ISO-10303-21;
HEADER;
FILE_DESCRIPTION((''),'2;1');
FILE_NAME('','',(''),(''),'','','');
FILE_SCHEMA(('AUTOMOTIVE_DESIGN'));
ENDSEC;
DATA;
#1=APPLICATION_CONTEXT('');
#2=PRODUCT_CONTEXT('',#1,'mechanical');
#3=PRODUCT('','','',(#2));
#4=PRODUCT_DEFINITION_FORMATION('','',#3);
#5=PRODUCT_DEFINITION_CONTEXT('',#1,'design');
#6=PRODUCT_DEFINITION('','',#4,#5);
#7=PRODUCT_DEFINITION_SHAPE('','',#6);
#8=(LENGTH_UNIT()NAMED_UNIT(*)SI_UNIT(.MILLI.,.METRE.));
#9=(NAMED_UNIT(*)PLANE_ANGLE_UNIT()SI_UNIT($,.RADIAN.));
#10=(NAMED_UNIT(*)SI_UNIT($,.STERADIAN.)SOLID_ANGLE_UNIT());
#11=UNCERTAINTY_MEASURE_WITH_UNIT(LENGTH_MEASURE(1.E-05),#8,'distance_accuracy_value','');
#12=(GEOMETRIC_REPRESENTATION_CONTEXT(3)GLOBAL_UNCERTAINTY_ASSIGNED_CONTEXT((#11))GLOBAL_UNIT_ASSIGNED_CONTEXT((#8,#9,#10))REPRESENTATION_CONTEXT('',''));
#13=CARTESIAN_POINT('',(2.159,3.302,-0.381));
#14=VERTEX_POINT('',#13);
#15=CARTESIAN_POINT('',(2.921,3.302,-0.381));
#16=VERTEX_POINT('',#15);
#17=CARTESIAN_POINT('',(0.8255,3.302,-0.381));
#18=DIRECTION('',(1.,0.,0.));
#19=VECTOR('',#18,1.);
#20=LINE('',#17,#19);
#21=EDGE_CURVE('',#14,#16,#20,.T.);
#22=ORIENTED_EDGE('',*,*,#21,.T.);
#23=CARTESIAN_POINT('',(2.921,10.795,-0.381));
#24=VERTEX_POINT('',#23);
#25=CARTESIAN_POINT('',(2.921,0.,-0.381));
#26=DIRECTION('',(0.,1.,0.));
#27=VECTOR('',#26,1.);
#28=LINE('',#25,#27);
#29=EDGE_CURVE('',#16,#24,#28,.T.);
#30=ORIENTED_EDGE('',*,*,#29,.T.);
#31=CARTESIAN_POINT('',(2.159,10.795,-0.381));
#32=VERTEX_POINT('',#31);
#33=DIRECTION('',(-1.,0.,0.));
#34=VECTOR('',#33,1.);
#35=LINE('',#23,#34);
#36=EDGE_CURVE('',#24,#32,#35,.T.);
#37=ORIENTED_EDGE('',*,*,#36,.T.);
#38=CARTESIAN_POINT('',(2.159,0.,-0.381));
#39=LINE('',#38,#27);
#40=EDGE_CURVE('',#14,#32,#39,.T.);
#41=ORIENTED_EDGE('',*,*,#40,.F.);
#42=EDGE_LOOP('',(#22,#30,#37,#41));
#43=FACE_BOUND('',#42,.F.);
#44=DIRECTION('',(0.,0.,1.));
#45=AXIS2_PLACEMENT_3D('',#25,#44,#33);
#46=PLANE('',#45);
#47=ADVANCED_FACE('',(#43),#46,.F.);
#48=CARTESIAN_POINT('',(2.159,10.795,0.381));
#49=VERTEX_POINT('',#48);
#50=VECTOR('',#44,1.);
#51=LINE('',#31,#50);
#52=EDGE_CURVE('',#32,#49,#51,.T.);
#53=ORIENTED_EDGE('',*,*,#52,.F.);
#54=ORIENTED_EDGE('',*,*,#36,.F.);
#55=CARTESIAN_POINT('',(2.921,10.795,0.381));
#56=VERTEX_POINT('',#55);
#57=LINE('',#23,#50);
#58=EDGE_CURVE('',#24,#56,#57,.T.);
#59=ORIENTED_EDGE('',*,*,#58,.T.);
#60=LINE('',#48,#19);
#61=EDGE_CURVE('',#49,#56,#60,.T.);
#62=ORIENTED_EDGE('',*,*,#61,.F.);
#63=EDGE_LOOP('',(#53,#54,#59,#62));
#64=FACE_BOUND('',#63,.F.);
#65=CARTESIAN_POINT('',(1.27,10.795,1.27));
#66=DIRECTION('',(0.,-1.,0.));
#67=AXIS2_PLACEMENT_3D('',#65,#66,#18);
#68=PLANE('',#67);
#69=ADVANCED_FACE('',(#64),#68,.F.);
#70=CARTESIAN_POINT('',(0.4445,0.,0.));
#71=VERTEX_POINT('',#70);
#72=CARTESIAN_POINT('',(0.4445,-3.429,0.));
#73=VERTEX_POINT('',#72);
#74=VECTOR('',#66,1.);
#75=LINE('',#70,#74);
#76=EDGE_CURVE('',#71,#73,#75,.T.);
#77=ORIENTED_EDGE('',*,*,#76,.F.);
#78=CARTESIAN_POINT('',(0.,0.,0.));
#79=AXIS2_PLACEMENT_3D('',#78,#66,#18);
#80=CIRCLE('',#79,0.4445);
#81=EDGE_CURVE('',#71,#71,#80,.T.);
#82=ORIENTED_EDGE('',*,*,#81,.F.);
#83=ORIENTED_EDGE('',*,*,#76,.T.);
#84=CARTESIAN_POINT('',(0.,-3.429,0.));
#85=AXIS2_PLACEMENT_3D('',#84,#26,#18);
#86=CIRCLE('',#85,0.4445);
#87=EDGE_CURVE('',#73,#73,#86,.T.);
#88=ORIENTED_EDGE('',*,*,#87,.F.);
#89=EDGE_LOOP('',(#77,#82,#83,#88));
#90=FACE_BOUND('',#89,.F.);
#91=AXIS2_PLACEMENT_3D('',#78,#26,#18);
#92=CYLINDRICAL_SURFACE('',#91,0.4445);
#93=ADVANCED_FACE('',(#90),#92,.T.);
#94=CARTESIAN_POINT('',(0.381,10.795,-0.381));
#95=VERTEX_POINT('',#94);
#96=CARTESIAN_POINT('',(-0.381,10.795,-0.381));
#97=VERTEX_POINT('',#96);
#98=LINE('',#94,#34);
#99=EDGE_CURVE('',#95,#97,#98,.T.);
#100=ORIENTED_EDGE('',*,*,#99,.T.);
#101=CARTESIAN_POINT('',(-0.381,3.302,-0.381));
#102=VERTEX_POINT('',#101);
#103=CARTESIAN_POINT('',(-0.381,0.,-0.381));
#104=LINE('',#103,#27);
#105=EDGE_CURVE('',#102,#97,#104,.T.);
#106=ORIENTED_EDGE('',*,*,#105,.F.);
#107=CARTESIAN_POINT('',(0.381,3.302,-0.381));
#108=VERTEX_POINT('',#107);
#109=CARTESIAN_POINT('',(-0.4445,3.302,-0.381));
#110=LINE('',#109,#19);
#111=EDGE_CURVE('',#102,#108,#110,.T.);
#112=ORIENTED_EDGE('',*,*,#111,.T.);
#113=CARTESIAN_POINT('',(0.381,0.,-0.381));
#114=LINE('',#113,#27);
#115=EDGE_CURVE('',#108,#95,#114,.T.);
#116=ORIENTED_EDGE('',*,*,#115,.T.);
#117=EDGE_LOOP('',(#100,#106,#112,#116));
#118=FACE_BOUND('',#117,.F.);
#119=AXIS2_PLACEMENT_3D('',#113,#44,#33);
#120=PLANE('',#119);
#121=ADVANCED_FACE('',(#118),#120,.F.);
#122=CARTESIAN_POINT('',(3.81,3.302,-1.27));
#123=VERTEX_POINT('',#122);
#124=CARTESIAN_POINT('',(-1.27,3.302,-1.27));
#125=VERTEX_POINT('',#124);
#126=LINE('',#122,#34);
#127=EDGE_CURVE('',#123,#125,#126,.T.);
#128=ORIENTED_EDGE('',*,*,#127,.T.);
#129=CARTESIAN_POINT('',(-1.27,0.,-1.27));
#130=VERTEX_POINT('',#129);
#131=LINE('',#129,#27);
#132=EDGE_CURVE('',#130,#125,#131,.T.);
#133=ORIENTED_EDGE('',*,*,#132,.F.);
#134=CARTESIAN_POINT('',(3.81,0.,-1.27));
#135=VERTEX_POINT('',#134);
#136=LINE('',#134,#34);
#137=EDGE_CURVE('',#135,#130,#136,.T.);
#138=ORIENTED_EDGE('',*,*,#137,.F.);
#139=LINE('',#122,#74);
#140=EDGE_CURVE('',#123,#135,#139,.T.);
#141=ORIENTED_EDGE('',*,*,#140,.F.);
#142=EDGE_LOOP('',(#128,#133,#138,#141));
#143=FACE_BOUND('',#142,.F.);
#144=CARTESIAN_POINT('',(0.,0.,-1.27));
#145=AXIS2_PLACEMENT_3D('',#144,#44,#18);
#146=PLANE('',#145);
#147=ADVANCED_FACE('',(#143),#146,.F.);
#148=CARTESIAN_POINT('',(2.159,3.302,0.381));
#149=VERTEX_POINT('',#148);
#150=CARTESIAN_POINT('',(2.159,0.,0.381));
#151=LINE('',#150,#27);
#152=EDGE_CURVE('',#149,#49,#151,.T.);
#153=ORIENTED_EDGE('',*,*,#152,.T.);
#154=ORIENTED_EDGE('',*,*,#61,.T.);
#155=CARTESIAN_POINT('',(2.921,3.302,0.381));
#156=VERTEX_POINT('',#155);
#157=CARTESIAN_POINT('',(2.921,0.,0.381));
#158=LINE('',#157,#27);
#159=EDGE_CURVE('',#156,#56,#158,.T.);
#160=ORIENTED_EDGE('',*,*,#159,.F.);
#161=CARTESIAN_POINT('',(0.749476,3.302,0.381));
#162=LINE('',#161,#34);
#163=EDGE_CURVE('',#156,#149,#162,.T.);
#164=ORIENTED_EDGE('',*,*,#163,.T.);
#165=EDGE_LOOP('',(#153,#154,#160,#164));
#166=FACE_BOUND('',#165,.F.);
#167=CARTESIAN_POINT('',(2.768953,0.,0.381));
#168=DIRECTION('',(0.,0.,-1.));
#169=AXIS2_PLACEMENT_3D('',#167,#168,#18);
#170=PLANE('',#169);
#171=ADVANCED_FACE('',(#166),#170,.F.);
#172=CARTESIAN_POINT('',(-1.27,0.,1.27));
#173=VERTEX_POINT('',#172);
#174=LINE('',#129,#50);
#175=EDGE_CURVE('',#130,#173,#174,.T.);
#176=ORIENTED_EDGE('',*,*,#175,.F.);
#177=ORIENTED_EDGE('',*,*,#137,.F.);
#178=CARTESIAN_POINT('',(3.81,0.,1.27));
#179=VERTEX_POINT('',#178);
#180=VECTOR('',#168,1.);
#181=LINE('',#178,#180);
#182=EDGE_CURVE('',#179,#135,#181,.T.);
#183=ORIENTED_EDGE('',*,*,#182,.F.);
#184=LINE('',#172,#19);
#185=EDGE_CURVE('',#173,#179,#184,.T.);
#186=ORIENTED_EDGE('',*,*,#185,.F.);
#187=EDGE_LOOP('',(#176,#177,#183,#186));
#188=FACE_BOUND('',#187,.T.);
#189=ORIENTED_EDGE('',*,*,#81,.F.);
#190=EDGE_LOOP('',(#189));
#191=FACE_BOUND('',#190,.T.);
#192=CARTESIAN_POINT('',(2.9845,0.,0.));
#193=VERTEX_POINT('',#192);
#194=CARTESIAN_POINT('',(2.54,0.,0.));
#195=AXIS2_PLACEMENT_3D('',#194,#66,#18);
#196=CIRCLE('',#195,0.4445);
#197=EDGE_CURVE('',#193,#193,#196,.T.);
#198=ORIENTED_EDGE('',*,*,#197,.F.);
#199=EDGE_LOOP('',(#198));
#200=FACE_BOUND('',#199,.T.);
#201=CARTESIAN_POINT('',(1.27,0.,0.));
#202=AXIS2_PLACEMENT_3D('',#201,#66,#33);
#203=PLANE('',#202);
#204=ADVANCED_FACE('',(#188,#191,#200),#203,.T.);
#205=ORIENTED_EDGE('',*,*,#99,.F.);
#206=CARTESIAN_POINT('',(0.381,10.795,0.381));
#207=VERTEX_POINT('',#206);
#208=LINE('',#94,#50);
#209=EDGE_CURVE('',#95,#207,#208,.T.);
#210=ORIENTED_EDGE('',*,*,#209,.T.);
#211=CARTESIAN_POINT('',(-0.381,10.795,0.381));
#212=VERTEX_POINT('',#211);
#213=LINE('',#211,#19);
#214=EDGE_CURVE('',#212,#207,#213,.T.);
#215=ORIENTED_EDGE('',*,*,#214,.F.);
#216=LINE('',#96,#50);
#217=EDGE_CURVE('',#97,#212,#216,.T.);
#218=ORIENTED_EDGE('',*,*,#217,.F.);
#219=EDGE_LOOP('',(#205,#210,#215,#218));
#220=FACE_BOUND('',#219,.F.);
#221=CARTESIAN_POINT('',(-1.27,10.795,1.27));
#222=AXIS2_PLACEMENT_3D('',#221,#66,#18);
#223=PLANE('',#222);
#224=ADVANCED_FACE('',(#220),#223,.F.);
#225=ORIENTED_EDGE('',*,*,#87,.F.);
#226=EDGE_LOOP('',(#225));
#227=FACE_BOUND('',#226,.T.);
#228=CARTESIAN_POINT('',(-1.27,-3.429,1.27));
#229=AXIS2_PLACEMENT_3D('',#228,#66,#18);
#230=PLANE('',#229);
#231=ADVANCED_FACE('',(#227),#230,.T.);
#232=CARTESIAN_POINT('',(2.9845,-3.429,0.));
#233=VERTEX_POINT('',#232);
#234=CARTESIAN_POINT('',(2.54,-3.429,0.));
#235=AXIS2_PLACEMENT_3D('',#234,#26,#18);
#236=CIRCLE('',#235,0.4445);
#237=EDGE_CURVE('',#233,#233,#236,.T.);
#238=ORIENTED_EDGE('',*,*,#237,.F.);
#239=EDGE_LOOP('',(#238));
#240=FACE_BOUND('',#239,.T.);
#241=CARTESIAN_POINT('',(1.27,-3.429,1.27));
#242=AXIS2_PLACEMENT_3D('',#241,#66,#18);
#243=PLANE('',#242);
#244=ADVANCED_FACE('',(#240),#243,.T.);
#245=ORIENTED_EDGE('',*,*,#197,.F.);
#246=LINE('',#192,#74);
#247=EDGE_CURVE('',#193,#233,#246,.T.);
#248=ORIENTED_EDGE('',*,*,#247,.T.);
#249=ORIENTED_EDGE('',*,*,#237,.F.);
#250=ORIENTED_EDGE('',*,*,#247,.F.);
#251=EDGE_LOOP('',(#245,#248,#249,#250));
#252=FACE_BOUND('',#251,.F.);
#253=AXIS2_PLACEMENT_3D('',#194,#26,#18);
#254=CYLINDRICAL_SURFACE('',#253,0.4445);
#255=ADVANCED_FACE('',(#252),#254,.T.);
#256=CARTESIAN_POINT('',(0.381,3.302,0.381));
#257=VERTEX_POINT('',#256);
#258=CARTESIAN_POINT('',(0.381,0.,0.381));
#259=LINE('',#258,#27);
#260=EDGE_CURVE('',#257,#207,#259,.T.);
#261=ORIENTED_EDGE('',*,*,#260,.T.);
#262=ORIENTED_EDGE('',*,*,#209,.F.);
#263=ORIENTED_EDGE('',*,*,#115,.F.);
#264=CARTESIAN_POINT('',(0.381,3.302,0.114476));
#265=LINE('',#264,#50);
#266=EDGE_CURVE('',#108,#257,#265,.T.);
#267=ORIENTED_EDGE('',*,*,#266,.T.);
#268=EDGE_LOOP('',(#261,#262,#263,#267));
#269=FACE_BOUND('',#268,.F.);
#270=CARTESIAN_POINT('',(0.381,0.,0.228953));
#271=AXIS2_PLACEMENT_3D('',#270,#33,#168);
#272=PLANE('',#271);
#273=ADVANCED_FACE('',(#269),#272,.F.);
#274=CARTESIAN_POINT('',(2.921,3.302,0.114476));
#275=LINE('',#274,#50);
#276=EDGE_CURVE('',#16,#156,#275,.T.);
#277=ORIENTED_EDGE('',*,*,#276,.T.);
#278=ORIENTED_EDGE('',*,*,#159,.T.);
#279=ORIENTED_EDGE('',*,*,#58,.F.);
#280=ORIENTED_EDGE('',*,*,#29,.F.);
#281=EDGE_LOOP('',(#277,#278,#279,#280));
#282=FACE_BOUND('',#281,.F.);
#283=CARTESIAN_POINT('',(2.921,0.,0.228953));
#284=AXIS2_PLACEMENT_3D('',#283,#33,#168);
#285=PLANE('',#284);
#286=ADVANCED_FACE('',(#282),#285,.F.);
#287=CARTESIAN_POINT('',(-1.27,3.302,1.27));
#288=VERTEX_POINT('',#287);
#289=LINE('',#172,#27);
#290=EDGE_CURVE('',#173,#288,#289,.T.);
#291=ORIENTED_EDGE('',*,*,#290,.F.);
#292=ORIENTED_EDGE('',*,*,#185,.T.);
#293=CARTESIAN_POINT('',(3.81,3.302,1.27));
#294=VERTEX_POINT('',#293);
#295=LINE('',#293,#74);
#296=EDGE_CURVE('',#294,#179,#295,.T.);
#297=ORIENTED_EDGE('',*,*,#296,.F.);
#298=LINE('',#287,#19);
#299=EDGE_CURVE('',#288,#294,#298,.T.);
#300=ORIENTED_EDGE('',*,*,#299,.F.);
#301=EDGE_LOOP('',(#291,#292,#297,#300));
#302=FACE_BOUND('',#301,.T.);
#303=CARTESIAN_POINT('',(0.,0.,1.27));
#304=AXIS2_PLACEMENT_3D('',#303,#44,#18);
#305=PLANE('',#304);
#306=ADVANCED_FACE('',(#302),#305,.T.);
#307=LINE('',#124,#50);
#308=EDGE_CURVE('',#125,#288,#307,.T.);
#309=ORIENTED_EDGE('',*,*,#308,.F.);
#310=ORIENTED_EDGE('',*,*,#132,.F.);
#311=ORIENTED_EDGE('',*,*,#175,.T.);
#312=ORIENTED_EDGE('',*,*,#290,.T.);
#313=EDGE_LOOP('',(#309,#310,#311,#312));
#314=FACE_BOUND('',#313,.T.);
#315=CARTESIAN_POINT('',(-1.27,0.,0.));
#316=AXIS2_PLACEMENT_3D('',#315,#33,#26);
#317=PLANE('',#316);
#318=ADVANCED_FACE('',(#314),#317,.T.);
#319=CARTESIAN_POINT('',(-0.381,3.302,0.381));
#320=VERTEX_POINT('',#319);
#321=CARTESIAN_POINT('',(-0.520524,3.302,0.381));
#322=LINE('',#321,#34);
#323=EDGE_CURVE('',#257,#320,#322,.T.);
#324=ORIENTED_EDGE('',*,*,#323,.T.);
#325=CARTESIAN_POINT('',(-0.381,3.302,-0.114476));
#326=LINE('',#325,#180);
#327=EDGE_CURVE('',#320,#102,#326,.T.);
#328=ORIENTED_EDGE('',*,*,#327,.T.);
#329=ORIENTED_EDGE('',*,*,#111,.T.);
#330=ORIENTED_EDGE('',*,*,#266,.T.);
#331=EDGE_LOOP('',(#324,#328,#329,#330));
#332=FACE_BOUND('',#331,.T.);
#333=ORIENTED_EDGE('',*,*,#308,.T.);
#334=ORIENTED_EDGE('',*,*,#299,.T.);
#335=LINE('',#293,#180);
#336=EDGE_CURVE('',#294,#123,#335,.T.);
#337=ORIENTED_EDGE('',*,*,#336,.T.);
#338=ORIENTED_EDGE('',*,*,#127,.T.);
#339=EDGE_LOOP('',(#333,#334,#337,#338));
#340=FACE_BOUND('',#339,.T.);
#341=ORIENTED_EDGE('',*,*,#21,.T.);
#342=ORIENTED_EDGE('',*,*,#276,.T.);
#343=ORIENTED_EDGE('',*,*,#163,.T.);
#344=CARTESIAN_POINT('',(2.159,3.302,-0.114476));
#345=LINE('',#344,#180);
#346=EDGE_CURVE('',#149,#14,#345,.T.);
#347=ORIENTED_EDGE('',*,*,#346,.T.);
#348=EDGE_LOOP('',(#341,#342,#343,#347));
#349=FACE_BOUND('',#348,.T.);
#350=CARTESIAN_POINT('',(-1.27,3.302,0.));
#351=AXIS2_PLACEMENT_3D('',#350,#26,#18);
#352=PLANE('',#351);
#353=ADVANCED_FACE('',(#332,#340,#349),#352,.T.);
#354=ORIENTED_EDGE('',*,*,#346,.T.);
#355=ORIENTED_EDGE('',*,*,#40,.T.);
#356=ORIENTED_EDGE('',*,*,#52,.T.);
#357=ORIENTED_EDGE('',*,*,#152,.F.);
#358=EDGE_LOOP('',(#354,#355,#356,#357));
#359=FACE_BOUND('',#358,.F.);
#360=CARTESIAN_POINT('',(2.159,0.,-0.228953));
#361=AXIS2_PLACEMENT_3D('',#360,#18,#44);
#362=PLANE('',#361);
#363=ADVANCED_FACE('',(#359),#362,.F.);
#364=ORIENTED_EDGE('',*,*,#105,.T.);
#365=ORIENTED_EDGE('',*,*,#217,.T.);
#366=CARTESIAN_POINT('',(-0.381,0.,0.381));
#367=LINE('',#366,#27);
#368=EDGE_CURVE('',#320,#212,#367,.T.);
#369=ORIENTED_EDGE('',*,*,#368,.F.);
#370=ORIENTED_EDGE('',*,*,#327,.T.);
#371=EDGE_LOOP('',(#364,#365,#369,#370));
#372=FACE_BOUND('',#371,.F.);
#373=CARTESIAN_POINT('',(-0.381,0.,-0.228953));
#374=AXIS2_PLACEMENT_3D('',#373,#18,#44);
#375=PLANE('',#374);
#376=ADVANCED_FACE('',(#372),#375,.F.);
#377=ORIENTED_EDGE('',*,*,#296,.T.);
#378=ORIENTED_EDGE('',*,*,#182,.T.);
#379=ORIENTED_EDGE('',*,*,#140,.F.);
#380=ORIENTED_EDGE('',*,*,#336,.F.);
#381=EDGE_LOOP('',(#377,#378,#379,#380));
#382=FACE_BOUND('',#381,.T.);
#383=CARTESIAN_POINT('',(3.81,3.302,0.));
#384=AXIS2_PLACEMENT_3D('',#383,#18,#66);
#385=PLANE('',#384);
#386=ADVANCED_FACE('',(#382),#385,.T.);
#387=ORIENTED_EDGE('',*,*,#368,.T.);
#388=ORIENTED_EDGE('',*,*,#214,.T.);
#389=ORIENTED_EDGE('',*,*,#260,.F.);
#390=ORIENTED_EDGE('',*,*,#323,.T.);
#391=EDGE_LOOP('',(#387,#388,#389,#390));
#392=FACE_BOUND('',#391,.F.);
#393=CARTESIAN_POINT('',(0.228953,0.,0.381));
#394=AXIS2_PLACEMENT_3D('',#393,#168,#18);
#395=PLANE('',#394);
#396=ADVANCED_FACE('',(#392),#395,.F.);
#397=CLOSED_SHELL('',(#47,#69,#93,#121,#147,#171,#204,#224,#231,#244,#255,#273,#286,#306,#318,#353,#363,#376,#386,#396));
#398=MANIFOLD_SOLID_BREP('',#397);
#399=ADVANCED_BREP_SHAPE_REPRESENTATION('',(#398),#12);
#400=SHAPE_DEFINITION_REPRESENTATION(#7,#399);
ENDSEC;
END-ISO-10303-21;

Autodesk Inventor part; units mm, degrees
ref_plane "YZ Plane (RIGHT)" through (0, 0, 0) normal (1, 0, 0) x (0, 1, 0)
ref_plane "XZ Plane (TOP)" through (0, 0, 0) normal (0, 1, 0) x (-1, 0, 0)
ref_plane "XY Plane (FRONT)" through (0, 0, 0) normal (0, 0, 1) x (1, 0, 0)
sketch "Sketch2" plane through (0, 0, 0) normal (0, 0, 1) x (1, 0, 0)
  line L0 (-1.778, 0) -> (1.778, 0) construction
  line L1 (0, 3.9624) -> (0, -0.6604) construction
  line L2 (-1.27, 3.302) -> (1.27, 3.302)
  line L3 (1.27, 3.302) -> (1.27, 0)
  line L4 (1.27, 0) -> (-1.27, 0)
  line L5 (-1.27, 0) -> (-1.27, 3.302)
  point P0 (0, 0)
  dimension "d0" = 2.54
  dimension "d1" = 3.302
extrude "Extrusion1" add sketch "Sketch2" along normal mid plane 2.54
sketch "Sketch3" plane through (-1.27, 0, 1.27) normal (0, -1, 0) x (1, 0, 0)
  circle A0 centre (1.27, -1.27) radius 0.4445
  line L0 (1.27, 0.508) -> (1.27, -3.048) construction
  line L1 (-0.508, -1.27) -> (3.048, -1.27) construction
  line L2 (0.889, -0.889) -> (1.651, -0.889)
  line L3 (1.651, -0.889) -> (1.651, -1.651)
  line L4 (1.651, -1.651) -> (0.889, -1.651)
  line L5 (0.889, -1.651) -> (0.889, -0.889)
  dimension "d4" = 0.762
  dimension "d5" = 0.889
extrude "Extrusion2" add sketch "Sketch3" against normal blind 10.795 contours L3 A0 L4 L5 L2 | A0 L2 L3 | L3 L4 A0 | A0 L5 L2 | L4 L5 A0
extrude "Extrusion3" add sketch "Sketch3" along normal blind 3.429 contours A0 L3 | L3 A0 L4 L5 L2 | L2 A0 | A0 L4 | L5 A0
pattern_linear "Rectangular Pattern1" count 2 spacing 2.54 along (1, 0, 0) of "Extrusion1", "Extrusion2", "Extrusion3"
properties part number "Jumper 2 Pin"
